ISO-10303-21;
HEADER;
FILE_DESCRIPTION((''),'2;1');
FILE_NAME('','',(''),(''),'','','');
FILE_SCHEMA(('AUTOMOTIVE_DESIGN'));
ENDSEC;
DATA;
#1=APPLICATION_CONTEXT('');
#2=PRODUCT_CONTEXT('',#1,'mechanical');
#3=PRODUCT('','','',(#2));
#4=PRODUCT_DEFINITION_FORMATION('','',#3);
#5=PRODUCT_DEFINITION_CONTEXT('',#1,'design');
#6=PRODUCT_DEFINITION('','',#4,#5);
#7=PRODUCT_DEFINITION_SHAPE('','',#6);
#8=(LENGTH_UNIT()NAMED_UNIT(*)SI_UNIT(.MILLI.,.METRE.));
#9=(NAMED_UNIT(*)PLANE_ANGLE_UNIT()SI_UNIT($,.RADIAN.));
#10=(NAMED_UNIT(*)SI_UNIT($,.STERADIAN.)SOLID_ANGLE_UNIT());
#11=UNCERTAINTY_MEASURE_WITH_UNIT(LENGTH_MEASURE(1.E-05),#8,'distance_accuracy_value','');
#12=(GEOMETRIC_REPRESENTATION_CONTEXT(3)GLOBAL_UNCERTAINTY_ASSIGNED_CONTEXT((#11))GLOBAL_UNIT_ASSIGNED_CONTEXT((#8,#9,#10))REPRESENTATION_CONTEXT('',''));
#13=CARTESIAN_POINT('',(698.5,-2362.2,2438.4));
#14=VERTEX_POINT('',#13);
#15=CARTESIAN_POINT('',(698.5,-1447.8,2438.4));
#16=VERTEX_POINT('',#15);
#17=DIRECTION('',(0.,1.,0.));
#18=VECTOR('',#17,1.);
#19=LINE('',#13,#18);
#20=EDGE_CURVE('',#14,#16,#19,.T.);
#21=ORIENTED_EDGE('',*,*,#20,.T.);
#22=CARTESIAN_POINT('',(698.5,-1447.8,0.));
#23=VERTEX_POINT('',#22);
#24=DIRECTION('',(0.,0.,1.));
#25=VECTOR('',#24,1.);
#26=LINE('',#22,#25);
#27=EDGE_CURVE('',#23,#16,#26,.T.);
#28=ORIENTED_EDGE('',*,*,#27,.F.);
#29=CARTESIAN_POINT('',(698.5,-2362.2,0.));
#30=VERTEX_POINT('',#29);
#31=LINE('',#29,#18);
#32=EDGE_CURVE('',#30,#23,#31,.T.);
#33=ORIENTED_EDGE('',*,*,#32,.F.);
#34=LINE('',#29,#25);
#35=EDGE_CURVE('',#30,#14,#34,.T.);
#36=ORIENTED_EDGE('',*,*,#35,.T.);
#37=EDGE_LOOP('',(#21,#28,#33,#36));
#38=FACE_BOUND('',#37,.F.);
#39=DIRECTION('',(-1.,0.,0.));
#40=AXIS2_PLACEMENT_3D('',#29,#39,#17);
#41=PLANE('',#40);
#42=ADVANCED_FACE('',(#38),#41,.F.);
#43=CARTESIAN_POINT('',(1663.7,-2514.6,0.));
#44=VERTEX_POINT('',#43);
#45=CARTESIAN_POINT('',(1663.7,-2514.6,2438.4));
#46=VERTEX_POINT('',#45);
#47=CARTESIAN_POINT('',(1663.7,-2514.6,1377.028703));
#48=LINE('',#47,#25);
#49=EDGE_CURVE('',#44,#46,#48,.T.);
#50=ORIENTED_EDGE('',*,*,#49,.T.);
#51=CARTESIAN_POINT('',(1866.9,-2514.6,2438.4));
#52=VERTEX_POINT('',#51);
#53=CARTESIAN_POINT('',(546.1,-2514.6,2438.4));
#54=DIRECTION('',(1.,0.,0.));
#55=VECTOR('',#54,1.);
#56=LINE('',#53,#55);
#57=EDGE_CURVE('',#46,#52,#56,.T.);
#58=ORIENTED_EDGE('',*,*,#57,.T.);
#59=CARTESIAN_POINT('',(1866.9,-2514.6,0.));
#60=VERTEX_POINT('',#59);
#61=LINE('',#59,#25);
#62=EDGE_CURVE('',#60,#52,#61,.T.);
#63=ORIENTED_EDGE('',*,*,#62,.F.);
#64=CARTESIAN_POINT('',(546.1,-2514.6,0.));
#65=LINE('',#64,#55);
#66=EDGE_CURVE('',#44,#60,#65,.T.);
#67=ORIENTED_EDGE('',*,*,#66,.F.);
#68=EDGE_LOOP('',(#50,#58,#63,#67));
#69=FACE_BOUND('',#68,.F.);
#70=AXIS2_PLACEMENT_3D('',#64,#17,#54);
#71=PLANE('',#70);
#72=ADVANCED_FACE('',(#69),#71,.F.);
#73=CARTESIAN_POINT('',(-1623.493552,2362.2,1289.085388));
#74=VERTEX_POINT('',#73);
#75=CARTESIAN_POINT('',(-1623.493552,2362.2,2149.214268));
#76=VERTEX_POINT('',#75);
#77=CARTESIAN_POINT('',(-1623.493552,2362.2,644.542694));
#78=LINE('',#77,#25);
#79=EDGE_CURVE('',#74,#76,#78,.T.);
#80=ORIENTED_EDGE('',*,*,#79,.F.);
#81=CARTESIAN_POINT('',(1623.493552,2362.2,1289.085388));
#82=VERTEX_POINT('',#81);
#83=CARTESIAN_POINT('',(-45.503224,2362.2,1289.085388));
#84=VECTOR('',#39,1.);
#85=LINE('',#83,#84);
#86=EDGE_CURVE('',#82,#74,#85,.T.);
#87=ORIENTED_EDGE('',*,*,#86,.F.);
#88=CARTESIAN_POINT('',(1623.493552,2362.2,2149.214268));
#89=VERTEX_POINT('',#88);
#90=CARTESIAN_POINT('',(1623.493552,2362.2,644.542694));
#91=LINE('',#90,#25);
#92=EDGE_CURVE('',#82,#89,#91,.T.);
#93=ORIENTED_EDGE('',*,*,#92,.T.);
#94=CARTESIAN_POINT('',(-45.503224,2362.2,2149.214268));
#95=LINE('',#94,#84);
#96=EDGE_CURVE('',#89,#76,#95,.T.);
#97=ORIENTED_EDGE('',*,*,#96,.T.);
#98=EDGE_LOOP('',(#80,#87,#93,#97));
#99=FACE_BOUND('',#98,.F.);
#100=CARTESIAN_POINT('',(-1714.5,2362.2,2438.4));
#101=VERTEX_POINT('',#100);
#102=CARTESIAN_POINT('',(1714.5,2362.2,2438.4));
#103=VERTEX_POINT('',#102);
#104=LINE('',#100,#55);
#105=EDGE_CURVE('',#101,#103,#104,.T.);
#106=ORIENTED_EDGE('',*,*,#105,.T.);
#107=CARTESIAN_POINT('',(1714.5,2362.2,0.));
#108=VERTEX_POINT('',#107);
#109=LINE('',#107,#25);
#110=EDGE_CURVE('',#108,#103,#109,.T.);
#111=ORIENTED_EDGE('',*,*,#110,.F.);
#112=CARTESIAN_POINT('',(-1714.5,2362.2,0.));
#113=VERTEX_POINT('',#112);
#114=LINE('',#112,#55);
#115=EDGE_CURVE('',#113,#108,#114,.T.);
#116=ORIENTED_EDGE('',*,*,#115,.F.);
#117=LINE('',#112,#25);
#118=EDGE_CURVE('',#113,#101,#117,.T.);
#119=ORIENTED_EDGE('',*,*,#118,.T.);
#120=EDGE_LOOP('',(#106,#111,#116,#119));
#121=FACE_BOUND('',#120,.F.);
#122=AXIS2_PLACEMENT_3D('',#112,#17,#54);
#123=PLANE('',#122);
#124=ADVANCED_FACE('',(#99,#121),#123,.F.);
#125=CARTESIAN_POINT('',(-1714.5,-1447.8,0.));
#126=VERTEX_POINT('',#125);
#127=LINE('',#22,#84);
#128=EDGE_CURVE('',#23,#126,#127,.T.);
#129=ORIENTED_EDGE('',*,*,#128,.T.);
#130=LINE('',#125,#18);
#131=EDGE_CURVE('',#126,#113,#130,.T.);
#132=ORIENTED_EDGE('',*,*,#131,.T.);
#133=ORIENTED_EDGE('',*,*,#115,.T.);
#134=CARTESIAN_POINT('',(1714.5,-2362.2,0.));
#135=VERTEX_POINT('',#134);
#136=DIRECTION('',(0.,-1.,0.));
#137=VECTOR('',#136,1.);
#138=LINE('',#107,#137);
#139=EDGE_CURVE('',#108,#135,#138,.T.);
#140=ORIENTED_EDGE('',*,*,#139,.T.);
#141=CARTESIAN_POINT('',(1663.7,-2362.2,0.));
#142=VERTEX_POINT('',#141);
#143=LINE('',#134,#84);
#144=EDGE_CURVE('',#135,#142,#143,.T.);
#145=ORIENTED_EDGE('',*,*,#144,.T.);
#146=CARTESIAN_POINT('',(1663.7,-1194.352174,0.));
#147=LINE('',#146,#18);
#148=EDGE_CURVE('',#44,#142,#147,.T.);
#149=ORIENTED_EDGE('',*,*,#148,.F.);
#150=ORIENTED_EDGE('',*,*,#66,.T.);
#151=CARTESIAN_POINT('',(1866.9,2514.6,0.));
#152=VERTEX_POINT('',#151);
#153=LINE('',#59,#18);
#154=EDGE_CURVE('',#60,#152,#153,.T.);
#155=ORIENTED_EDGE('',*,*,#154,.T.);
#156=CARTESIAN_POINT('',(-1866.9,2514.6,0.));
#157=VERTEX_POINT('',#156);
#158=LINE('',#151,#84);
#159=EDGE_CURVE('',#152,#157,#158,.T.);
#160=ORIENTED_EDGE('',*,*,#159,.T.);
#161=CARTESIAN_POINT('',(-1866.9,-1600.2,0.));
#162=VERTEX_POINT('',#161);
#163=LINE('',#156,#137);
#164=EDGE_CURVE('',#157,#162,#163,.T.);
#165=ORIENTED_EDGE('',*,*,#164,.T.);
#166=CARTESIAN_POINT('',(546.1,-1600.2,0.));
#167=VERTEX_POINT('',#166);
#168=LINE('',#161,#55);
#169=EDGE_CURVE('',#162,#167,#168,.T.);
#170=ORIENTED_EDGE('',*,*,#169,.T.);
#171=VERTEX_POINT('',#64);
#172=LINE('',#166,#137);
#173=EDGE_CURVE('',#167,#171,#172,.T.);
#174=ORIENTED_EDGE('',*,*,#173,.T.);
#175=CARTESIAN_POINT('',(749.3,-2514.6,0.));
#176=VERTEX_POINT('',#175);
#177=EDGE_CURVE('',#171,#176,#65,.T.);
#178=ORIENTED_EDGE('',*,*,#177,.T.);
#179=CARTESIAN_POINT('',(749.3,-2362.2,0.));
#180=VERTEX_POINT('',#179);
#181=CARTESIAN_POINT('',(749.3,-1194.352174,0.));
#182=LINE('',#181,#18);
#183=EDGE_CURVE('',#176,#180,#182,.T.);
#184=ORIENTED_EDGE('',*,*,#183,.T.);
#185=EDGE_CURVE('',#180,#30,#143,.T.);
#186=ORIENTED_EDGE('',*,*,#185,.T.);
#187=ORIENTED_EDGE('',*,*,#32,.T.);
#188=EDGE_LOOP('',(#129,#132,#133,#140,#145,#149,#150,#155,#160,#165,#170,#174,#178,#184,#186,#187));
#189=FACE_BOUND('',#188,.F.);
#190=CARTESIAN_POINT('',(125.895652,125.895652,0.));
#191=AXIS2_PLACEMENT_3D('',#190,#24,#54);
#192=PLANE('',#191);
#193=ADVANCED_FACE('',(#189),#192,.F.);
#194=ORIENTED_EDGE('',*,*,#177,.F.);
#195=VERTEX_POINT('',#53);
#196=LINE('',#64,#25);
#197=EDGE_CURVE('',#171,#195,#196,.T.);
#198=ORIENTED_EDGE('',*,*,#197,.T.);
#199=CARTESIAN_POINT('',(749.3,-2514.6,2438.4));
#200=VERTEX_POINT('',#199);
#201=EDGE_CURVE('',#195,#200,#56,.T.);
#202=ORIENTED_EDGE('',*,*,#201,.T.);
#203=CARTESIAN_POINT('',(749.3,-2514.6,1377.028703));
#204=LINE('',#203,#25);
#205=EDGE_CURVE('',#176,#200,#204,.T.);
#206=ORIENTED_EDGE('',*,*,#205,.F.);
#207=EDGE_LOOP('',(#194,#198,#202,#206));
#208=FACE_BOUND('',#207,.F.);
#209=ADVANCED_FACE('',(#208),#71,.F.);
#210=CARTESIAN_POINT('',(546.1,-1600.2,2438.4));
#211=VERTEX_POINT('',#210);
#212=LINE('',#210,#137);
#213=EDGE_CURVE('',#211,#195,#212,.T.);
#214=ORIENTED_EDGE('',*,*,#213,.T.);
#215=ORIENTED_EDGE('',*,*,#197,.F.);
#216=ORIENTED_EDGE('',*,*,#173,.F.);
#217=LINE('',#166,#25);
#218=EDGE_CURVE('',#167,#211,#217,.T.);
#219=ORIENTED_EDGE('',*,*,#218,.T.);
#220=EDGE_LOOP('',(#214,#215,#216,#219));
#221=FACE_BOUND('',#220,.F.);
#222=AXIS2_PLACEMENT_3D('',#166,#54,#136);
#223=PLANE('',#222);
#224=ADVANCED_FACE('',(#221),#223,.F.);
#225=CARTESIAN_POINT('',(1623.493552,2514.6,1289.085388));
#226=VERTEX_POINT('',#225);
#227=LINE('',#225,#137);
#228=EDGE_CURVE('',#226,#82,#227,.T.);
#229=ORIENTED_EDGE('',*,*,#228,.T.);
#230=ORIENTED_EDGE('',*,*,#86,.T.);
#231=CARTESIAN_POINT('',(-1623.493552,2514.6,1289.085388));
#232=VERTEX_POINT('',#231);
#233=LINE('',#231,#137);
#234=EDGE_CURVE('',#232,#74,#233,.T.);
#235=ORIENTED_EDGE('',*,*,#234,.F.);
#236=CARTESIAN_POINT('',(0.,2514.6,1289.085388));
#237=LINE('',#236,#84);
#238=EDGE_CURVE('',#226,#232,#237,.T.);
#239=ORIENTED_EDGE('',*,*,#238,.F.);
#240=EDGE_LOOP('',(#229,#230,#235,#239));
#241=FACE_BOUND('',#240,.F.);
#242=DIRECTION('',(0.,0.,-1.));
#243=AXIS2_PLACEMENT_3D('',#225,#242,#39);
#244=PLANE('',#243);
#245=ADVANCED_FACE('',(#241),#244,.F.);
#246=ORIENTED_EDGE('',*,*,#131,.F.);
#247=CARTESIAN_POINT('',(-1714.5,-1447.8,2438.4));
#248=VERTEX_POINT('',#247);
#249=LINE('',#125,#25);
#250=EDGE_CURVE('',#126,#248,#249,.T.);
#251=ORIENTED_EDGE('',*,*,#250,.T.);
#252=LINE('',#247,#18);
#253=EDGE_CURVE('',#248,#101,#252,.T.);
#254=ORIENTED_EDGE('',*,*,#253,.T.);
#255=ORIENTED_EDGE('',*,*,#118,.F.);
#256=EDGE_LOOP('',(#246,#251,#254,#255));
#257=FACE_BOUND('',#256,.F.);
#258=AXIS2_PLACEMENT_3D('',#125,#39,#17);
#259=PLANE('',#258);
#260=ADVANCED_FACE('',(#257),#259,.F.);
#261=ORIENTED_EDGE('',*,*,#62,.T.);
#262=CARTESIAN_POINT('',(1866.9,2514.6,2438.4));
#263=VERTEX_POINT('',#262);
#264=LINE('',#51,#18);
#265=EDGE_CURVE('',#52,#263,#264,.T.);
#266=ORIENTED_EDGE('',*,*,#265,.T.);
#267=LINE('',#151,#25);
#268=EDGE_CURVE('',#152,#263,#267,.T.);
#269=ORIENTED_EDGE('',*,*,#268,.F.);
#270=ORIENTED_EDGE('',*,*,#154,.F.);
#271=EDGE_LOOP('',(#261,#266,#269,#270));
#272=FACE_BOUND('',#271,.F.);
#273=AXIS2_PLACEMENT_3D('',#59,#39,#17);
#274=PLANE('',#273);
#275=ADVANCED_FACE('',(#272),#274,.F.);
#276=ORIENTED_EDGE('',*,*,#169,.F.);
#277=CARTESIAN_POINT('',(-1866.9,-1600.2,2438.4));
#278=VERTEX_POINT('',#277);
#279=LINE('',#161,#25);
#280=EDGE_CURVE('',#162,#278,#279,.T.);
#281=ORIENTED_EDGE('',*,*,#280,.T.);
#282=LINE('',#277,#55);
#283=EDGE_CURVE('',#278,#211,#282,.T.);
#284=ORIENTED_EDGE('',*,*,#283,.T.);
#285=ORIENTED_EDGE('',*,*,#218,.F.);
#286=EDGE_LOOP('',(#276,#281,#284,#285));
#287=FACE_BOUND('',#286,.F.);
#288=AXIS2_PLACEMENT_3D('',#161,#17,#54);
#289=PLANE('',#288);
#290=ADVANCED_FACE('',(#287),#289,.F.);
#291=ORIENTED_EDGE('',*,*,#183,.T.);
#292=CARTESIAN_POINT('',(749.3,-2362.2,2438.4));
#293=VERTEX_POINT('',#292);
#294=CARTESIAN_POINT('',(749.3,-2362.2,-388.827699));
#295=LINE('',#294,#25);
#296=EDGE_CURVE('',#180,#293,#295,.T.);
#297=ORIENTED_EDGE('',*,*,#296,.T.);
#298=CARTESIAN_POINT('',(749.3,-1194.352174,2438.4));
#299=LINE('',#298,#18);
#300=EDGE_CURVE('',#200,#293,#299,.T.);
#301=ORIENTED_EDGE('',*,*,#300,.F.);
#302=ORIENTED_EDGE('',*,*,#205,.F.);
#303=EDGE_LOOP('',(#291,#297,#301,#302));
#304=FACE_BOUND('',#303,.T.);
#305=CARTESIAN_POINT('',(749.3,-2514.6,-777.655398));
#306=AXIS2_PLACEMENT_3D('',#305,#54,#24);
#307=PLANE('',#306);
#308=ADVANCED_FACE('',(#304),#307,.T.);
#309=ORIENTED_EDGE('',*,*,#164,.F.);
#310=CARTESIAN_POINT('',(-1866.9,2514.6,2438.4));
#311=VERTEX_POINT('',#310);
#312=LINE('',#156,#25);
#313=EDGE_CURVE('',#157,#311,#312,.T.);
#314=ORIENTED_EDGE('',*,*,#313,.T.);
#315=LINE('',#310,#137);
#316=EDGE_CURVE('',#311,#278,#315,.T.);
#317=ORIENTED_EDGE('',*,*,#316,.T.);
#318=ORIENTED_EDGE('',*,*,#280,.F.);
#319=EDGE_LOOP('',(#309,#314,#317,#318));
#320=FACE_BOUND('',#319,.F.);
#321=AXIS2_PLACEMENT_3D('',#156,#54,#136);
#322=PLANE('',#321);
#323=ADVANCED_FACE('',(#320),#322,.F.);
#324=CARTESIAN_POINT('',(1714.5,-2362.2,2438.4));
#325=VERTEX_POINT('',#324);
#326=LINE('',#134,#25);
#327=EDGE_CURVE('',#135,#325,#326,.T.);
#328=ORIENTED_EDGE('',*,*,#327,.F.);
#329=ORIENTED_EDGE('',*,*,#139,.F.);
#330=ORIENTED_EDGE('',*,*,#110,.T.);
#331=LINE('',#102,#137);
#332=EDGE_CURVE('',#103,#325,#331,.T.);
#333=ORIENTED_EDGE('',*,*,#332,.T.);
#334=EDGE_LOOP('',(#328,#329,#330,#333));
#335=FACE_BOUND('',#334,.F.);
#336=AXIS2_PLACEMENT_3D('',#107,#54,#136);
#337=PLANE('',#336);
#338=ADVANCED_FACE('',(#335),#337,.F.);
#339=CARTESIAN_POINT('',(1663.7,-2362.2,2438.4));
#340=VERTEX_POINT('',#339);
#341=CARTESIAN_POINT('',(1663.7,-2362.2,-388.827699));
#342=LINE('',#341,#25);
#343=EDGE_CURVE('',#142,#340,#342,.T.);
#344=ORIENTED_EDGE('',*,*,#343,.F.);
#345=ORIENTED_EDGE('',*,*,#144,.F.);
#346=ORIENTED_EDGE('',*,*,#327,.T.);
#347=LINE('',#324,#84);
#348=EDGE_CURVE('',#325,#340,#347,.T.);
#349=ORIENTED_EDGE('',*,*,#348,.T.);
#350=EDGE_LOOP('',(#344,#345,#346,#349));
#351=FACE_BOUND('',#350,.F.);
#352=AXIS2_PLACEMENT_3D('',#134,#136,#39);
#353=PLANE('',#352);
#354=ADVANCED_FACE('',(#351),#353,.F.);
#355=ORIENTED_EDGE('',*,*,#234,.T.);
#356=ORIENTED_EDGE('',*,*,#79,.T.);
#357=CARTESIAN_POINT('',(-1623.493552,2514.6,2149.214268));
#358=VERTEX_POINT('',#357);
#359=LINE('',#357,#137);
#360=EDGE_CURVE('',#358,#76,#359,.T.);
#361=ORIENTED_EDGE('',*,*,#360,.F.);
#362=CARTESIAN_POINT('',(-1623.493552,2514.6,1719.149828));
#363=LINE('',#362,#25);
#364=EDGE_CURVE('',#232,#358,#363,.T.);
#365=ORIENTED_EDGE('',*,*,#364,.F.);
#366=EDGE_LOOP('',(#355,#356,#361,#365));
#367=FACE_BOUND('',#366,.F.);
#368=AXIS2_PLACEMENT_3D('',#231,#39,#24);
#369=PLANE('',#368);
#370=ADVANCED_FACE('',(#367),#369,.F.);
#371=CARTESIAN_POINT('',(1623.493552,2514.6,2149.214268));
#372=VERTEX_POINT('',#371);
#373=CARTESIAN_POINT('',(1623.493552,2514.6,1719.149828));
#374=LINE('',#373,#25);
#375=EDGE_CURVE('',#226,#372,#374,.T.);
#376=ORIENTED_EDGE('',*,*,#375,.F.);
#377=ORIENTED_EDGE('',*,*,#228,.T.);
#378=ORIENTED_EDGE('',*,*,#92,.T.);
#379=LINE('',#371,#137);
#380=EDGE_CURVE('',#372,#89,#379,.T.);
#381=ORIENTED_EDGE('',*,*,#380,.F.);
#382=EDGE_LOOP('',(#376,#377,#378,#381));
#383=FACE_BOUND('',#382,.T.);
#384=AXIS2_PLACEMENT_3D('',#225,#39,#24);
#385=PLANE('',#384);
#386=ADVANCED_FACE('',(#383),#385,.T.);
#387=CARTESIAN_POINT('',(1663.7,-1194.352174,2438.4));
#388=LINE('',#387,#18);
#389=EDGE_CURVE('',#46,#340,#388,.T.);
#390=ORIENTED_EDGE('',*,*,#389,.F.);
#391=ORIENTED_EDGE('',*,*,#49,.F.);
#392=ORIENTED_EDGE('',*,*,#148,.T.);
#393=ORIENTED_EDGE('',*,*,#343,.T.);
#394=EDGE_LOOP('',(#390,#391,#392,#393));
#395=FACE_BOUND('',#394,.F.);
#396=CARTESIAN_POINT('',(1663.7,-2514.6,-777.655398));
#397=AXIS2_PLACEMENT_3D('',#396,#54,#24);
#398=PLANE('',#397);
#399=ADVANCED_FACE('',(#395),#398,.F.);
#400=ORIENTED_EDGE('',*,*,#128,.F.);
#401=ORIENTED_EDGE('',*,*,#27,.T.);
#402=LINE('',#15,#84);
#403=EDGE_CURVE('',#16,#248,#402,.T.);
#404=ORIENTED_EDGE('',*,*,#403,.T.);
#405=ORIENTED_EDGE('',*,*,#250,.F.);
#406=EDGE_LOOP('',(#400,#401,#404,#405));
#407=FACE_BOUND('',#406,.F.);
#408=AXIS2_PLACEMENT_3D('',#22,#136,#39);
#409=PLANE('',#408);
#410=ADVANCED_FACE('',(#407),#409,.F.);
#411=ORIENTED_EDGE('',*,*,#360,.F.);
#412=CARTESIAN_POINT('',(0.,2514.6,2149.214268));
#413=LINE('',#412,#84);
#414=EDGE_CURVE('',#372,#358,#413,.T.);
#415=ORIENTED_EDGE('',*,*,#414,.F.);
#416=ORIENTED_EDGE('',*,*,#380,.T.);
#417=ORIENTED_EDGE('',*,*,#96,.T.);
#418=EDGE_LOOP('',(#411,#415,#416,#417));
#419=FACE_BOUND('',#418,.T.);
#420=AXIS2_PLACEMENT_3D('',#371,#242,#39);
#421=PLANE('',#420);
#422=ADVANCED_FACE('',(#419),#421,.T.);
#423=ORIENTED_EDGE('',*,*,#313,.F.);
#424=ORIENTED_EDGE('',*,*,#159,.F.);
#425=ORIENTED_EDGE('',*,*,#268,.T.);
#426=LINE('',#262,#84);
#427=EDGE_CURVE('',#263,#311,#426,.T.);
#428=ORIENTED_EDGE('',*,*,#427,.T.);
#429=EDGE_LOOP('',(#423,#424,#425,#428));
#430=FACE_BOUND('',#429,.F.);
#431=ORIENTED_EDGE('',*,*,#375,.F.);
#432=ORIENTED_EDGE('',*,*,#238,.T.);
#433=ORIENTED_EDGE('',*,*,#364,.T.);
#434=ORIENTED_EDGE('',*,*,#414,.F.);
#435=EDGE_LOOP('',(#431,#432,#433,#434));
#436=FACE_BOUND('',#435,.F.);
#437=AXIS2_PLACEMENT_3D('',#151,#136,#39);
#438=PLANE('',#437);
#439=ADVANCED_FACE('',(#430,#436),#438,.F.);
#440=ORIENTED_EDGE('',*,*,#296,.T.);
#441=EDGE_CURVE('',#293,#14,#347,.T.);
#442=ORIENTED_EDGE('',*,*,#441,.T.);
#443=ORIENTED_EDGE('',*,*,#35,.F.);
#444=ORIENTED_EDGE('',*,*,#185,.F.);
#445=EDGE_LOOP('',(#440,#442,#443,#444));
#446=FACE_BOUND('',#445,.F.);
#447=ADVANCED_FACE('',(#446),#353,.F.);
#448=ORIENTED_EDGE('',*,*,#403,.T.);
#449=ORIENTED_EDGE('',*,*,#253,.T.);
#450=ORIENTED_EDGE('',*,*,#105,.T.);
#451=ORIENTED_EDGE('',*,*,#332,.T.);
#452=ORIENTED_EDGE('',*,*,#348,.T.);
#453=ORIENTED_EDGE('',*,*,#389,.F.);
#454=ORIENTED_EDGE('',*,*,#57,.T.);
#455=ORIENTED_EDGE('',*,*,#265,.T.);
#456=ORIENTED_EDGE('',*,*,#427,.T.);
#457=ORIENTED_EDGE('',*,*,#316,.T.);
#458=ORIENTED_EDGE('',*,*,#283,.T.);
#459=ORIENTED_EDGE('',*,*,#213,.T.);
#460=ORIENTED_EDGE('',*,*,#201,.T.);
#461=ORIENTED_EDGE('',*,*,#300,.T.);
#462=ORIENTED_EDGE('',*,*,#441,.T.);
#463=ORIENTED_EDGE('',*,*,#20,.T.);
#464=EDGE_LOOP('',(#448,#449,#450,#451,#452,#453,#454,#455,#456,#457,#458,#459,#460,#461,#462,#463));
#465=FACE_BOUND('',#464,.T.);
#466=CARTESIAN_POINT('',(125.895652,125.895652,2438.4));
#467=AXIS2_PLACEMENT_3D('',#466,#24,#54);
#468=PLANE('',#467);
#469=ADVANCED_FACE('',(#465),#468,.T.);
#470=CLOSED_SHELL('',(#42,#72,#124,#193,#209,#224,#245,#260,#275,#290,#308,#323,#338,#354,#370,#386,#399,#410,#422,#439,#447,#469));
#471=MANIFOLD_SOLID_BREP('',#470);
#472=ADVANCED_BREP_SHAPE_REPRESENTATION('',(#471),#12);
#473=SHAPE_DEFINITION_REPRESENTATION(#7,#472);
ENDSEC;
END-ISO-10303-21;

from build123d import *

# Parameters (mm, degrees)
F1_DEPTH = 2438.4
F2_W     = 914.4
F2_H     = 4309.368201
F3_DEPTH = 406.4
F4_W     = 3246.987104
F4_H     = 860.12888
F5_DEPTH = 482.6


with BuildPart() as f1:
    # F0 (on Top) → F1 (new body)
    with BuildSketch(Plane.XY):
        Polygon((-1866.9, -1600.2), (546.1, -1600.2), (546.1, -2514.6), (1866.9, -2514.6), (1866.9, 2514.6), (-1866.9, 2514.6), align=None)
        Polygon((1714.5, 2362.2), (1714.5, -2362.2), (698.5, -2362.2), (698.5, -1447.8), (-1714.5, -1447.8), (-1714.5, 2362.2), align=None, mode=Mode.SUBTRACT)
    extrude(amount=F1_DEPTH)

    # F2 (on face) → F3 (cut)
    with BuildSketch(Plane.XZ.offset(2514.6)):
        with Locations((1206.5, 1377.028703)):
            Rectangle(F2_W, F2_H)
    extrude(amount=-F3_DEPTH, mode=Mode.SUBTRACT)

    # F4 (on face) → F5 (cut)
    with BuildSketch(Plane(origin=(0, 2514.6, 0), x_dir=(-1, 0, 0), z_dir=(0, 1, 0))):
        with Locations((0, 1719.149828)):
            Rectangle(F4_W, F4_H)
    extrude(amount=-F5_DEPTH, mode=Mode.SUBTRACT)


solid = f1.part
